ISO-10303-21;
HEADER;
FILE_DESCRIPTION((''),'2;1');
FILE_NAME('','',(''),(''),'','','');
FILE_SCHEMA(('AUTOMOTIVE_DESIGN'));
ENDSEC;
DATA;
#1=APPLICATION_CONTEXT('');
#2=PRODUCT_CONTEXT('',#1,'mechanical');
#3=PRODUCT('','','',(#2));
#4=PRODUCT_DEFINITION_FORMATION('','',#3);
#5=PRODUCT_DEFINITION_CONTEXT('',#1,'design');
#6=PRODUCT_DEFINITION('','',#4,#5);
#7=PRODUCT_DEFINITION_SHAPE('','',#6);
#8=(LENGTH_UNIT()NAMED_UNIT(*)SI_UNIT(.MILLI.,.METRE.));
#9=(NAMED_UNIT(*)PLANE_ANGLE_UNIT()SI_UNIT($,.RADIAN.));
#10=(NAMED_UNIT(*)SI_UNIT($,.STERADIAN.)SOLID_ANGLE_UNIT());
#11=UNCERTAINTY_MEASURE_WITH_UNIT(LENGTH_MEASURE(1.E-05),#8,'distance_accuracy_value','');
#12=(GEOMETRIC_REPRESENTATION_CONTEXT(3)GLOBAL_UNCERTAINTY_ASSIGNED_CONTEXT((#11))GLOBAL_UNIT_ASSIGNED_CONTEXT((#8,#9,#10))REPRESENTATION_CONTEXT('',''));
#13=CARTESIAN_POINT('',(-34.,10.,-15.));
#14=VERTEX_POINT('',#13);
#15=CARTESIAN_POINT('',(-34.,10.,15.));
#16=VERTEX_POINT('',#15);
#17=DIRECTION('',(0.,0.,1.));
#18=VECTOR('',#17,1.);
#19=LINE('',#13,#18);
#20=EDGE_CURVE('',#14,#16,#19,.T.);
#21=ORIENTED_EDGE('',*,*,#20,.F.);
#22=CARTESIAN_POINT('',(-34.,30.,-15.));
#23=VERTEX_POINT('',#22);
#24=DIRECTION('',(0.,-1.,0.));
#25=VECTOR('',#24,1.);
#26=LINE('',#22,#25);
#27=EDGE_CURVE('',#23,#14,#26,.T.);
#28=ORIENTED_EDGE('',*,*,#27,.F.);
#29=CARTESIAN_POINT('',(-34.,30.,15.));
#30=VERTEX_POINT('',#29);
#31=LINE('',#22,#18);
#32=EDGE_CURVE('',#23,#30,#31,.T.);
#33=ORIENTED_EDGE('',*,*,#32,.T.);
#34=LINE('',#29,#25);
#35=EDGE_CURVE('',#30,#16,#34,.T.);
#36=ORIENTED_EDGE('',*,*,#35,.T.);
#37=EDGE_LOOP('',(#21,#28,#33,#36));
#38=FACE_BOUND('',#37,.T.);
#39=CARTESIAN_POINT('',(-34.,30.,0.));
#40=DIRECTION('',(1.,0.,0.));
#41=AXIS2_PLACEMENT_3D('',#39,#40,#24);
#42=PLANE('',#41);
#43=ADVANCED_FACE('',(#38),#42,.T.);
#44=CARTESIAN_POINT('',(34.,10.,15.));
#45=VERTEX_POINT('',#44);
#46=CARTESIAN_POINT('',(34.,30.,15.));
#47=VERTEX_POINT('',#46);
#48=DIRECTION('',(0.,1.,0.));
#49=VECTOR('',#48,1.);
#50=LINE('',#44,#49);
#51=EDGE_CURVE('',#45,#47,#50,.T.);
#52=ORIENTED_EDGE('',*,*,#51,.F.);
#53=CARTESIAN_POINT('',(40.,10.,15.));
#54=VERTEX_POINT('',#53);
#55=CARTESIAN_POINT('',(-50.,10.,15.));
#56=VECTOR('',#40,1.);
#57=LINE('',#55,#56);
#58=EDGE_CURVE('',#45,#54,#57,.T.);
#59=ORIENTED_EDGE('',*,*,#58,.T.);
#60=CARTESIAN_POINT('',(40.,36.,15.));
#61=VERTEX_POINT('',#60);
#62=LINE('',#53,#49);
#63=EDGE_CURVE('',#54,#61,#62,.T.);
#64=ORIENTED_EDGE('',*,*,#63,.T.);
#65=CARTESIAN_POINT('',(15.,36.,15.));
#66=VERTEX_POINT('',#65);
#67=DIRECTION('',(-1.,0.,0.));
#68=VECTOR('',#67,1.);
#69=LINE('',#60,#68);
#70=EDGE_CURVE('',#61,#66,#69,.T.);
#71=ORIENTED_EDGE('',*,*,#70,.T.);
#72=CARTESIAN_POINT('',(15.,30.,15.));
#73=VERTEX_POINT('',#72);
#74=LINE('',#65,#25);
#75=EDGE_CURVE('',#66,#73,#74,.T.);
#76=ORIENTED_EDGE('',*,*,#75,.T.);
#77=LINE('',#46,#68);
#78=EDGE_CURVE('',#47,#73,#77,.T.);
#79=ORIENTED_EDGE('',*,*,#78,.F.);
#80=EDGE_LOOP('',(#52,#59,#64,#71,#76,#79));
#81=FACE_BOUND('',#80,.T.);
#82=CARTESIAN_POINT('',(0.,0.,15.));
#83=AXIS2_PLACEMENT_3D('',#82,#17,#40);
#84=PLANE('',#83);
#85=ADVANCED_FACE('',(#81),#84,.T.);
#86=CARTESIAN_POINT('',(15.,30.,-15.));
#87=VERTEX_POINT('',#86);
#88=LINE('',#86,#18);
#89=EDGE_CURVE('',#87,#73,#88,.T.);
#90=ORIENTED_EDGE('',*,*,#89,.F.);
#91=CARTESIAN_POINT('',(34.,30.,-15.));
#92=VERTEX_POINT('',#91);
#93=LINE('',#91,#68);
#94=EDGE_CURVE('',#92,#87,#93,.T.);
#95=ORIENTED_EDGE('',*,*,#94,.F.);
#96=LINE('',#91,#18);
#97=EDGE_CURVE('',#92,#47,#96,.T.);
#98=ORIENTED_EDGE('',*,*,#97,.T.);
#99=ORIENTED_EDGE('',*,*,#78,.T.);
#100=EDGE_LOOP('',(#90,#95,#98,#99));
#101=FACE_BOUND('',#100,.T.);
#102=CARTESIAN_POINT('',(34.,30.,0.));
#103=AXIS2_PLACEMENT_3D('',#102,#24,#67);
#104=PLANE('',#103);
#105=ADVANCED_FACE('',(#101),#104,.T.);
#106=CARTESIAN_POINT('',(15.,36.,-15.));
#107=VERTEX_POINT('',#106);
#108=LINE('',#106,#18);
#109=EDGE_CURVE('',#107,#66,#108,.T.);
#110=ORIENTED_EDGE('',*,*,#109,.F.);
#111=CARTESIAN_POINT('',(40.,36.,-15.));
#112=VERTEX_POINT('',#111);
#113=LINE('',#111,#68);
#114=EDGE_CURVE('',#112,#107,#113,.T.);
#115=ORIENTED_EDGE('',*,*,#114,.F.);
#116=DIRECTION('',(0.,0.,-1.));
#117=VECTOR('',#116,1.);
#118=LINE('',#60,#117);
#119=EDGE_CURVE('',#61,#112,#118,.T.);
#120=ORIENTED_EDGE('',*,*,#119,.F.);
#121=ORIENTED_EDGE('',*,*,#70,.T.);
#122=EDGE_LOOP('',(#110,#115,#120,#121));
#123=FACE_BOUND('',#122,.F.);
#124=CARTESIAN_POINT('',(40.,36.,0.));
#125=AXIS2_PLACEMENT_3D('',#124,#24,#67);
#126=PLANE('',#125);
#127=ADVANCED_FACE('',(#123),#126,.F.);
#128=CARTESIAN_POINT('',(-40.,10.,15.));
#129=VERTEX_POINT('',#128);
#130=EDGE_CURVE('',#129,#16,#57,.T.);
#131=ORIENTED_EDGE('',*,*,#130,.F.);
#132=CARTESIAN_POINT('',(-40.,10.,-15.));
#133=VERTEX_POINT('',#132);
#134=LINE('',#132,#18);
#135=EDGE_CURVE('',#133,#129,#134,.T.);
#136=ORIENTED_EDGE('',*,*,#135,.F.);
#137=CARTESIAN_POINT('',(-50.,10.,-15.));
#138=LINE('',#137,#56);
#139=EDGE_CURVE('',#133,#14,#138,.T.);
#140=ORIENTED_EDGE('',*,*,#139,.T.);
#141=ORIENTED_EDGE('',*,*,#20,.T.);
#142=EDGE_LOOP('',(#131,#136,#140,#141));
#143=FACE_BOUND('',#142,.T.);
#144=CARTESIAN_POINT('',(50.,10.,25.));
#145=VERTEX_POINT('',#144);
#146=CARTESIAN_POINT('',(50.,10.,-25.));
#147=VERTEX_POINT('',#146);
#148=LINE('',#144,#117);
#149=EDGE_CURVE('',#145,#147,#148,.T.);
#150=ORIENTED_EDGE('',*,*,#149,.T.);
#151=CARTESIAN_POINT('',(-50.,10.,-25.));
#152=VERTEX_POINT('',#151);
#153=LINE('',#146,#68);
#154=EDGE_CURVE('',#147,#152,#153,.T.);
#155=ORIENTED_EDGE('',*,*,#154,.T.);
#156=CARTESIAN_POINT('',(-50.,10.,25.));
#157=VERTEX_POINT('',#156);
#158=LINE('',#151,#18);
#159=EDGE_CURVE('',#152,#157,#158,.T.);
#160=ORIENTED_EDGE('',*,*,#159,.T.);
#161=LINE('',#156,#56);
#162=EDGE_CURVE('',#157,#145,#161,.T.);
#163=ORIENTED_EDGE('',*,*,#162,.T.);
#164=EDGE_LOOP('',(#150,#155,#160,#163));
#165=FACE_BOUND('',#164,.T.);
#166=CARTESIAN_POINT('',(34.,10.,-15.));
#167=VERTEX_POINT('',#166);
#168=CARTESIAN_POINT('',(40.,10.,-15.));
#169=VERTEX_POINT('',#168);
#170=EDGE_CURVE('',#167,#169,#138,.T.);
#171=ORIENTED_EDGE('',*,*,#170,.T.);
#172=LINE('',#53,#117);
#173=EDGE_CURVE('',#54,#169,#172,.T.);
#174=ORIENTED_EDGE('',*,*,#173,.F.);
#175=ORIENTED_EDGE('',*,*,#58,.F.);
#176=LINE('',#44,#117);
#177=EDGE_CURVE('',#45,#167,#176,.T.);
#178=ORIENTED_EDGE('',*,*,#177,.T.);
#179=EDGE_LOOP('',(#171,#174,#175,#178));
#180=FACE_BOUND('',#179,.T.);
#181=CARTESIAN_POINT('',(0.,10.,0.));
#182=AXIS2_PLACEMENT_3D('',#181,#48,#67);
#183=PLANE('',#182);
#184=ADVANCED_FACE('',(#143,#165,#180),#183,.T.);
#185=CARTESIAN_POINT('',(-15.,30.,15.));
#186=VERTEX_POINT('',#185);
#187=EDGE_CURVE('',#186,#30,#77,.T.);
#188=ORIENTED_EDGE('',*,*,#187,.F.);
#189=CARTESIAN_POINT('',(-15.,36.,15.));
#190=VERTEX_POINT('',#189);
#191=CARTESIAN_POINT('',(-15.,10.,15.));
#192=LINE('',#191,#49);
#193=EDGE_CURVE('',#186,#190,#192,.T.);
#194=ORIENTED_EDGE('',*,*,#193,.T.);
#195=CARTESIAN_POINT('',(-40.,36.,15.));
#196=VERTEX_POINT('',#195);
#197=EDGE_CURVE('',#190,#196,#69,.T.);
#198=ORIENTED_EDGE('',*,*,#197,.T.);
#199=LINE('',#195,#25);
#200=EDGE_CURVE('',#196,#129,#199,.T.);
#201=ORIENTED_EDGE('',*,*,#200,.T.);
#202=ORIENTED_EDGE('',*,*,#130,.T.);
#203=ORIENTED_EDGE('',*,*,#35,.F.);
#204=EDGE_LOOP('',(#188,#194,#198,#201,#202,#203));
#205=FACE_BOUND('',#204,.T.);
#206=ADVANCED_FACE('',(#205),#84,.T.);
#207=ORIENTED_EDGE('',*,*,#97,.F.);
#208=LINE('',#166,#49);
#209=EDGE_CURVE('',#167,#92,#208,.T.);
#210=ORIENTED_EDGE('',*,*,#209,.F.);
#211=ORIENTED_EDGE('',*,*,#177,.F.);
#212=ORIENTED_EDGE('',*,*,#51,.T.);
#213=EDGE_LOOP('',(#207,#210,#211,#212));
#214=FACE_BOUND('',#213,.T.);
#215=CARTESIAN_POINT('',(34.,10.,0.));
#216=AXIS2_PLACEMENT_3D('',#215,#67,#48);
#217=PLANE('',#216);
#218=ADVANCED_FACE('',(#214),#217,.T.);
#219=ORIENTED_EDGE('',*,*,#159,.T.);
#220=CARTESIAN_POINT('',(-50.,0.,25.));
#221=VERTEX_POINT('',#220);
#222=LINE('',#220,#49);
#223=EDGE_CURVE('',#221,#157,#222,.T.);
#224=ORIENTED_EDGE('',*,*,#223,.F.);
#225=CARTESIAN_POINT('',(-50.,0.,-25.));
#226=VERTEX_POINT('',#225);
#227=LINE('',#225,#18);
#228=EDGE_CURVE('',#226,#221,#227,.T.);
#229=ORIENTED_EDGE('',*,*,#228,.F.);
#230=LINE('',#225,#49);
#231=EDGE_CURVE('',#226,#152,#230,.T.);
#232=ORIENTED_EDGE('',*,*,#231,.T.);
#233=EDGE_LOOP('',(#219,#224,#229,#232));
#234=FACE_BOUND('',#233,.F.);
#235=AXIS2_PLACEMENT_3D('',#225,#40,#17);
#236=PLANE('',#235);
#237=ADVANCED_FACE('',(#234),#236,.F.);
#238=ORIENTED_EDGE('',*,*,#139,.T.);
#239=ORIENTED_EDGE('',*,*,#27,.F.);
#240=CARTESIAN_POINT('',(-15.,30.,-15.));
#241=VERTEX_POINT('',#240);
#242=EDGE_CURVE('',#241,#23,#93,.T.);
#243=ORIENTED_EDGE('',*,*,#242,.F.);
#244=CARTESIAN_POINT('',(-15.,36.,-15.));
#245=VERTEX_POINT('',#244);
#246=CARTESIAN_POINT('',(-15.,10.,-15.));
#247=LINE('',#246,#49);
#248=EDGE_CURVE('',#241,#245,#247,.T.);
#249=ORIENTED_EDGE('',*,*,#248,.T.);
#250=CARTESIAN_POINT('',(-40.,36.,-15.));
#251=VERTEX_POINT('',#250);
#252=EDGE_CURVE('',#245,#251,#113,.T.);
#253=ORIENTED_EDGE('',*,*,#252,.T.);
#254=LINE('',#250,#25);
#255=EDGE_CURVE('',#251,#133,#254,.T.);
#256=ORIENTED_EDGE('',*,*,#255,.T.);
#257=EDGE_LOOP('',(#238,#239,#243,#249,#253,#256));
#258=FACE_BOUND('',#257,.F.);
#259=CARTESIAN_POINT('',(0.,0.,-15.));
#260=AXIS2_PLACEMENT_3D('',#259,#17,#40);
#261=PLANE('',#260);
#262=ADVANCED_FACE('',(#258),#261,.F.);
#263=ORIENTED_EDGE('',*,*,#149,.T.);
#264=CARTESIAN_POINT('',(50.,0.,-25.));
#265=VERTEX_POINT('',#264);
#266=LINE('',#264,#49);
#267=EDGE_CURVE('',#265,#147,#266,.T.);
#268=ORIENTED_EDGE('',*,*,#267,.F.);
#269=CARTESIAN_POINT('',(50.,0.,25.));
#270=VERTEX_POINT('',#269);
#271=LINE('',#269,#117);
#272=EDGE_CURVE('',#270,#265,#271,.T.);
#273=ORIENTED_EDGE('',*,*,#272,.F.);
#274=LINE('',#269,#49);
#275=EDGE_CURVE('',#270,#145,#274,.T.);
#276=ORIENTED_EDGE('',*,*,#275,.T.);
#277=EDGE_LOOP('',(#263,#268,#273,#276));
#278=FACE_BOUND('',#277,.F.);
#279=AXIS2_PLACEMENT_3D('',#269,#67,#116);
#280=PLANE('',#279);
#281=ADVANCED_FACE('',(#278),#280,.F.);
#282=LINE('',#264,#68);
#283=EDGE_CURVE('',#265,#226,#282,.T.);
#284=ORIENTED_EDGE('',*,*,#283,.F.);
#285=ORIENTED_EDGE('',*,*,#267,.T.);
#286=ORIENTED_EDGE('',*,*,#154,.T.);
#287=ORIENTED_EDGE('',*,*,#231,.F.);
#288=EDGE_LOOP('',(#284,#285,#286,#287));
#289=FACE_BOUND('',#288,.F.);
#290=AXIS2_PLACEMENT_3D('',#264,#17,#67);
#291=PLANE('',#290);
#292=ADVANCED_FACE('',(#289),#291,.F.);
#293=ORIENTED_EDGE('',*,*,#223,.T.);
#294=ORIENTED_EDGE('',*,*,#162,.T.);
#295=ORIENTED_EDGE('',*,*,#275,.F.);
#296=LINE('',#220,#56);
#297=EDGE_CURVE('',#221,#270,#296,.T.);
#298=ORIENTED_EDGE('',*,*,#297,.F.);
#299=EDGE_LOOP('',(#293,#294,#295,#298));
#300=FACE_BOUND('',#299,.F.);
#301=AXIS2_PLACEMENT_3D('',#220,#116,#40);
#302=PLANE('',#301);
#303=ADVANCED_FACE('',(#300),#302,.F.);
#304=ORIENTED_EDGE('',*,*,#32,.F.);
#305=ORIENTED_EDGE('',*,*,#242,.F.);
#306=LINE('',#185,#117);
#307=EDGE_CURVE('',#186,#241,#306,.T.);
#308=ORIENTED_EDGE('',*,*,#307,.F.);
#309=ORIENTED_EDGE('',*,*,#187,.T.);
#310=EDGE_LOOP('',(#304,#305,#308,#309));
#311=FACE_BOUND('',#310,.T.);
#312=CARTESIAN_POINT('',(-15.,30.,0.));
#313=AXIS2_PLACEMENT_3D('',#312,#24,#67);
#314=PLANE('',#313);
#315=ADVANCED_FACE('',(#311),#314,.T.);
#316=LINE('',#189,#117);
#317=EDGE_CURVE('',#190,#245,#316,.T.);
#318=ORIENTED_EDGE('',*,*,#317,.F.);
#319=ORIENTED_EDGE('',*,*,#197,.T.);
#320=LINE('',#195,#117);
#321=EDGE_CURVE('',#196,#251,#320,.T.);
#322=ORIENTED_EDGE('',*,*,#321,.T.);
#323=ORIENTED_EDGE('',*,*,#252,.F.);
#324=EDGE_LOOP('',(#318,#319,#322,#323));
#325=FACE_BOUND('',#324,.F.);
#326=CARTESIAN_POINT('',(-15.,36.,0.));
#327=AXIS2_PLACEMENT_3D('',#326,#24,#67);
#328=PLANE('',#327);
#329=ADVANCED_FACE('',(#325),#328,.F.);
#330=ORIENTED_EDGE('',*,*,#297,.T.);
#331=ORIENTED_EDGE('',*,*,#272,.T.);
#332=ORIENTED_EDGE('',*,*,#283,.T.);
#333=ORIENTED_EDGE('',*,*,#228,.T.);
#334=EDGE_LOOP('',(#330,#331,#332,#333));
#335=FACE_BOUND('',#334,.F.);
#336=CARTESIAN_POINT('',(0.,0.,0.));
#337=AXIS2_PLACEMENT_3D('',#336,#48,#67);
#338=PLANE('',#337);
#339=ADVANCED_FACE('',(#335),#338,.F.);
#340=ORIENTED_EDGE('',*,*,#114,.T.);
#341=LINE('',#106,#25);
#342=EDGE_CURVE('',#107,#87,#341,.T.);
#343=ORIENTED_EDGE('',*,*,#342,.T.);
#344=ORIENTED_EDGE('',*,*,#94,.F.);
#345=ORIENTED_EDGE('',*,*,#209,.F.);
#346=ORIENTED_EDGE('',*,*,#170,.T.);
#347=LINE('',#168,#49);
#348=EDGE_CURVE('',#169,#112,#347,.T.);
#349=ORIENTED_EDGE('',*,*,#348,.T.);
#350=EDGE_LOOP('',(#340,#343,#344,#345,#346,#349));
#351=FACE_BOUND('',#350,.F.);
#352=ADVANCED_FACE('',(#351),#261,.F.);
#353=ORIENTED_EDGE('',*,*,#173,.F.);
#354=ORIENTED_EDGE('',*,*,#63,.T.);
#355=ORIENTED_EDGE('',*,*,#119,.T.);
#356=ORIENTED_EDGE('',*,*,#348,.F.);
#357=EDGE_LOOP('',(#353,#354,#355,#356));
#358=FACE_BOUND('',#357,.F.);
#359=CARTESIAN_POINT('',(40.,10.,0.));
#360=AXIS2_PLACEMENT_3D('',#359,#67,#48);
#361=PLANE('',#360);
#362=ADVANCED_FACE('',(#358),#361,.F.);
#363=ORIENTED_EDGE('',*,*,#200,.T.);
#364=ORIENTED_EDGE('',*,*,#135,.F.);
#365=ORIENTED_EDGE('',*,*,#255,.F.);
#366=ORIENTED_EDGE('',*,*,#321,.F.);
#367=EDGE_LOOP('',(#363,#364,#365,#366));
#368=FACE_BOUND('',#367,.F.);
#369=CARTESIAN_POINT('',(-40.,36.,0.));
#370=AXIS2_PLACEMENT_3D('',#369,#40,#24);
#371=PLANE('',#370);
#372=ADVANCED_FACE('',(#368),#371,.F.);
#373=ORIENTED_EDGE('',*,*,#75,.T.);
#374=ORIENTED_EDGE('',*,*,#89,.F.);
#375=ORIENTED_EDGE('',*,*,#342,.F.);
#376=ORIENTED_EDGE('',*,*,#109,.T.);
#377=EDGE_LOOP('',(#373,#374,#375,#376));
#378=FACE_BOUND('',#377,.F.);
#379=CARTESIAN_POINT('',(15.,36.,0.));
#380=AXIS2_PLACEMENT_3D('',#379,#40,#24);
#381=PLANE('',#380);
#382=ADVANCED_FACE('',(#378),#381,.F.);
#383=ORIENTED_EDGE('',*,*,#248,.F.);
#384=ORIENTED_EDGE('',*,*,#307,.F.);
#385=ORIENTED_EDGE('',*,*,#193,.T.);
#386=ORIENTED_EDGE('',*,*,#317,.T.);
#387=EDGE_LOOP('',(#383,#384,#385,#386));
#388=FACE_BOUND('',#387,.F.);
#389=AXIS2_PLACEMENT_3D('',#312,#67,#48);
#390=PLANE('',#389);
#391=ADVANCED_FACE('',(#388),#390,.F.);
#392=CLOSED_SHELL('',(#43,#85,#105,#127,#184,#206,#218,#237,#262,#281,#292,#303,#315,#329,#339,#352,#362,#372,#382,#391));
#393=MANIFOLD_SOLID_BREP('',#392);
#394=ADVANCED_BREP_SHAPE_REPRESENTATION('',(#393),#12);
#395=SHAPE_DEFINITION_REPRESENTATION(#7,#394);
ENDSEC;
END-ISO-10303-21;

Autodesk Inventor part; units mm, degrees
ref_plane "YZ Plane" through (0, 0, 0) normal (1, 0, 0) x (0, 1, 0)
ref_plane "XZ Plane" through (0, 0, 0) normal (0, 1, 0) x (-1, 0, 0)
ref_plane "XY Plane" through (0, 0, 0) normal (0, 0, 1) x (1, 0, 0)
sketch "Sketch1" plane through (0, 0, 0) normal (0, 1, 0) x (-1, 0, 0)
  line L0 (-50, -25) -> (50, -25)
  line L1 (50, -25) -> (50, 25)
  line L2 (50, 25) -> (-50, 25)
  line L3 (-50, 25) -> (-50, -25)
  line L4 (-50, -25) -> (50, 25) construction
  line L5 (50, -25) -> (-50, 25) construction
  point P0 (0, 0)
  dimension "d0" = 100
  dimension "d1" = 50
extrude "Extrusion1" add sketch "Sketch1" along normal blind 10
sketch "Sketch2" plane through (0, 0, 0) normal (0, 0, 1) x (1, 0, 0)
  line L0 (-50, 10) -> (50, 10) projected
  line L1 (31.5957, 10) -> (-31.5209, 10)
  line L2 (15, 10) -> (-15, 10)
  line L3 (-15, 10) -> (-15, 36)
  line L4 (-15, 36) -> (15, 36)
  line L5 (15, 36) -> (15, 10)
  line L6 (15, 10) -> (-15, 36) construction
  line L7 (-15, 10) -> (15, 36) construction
  line L8 (34, 30) -> (-34, 30)
  line L9 (-34, 30) -> (-34, 10)
  line L10 (-34, 10) -> (34, 10)
  line L11 (34, 10) -> (34, 30)
  line L12 (34, 30) -> (-34, 10) construction
  line L13 (-34, 30) -> (34, 10) construction
  line L14 (40, 36) -> (-40, 36)
  line L15 (-40, 36) -> (-40, 10)
  line L16 (-40, 10) -> (40, 10)
  line L17 (40, 10) -> (40, 36)
  line L18 (40, 36) -> (-40, 10) construction
  line L19 (-40, 36) -> (40, 10) construction
  line L20 (-50, 0) -> (50, 0) projected
  point P0 (0, 0)
  point P1 (0, 23)
  point P2 (0, 20)
  point P3 (0, 23)
  point P4 (-34, 20)
  point P5 (0, 0)
  point P6 (0, 0)
  point P7 (0, 0)
  point P8 (0, 10)
  point P9 (40, 10)
  point P10 (15, 36)
  point P11 (15, 30)
  point P12 (34, 10)
  point P13 (-34, 10)
  point P14 (-15, 30)
  point P15 (-15, 36)
  dimension "d5" = 80
  dimension "d7" = 0
  dimension "d8" = 6
  dimension "d9" = 30
  dimension "d10" = 20
  dimension "d13" = 68
extrude "Extrusion2" add sketch "Sketch2" along normal mid plane 30 contours L15 L14 L3 L8 L9 L0 | L14 L17 L0 L11 L8 L5
properties part number "holder sensor"
